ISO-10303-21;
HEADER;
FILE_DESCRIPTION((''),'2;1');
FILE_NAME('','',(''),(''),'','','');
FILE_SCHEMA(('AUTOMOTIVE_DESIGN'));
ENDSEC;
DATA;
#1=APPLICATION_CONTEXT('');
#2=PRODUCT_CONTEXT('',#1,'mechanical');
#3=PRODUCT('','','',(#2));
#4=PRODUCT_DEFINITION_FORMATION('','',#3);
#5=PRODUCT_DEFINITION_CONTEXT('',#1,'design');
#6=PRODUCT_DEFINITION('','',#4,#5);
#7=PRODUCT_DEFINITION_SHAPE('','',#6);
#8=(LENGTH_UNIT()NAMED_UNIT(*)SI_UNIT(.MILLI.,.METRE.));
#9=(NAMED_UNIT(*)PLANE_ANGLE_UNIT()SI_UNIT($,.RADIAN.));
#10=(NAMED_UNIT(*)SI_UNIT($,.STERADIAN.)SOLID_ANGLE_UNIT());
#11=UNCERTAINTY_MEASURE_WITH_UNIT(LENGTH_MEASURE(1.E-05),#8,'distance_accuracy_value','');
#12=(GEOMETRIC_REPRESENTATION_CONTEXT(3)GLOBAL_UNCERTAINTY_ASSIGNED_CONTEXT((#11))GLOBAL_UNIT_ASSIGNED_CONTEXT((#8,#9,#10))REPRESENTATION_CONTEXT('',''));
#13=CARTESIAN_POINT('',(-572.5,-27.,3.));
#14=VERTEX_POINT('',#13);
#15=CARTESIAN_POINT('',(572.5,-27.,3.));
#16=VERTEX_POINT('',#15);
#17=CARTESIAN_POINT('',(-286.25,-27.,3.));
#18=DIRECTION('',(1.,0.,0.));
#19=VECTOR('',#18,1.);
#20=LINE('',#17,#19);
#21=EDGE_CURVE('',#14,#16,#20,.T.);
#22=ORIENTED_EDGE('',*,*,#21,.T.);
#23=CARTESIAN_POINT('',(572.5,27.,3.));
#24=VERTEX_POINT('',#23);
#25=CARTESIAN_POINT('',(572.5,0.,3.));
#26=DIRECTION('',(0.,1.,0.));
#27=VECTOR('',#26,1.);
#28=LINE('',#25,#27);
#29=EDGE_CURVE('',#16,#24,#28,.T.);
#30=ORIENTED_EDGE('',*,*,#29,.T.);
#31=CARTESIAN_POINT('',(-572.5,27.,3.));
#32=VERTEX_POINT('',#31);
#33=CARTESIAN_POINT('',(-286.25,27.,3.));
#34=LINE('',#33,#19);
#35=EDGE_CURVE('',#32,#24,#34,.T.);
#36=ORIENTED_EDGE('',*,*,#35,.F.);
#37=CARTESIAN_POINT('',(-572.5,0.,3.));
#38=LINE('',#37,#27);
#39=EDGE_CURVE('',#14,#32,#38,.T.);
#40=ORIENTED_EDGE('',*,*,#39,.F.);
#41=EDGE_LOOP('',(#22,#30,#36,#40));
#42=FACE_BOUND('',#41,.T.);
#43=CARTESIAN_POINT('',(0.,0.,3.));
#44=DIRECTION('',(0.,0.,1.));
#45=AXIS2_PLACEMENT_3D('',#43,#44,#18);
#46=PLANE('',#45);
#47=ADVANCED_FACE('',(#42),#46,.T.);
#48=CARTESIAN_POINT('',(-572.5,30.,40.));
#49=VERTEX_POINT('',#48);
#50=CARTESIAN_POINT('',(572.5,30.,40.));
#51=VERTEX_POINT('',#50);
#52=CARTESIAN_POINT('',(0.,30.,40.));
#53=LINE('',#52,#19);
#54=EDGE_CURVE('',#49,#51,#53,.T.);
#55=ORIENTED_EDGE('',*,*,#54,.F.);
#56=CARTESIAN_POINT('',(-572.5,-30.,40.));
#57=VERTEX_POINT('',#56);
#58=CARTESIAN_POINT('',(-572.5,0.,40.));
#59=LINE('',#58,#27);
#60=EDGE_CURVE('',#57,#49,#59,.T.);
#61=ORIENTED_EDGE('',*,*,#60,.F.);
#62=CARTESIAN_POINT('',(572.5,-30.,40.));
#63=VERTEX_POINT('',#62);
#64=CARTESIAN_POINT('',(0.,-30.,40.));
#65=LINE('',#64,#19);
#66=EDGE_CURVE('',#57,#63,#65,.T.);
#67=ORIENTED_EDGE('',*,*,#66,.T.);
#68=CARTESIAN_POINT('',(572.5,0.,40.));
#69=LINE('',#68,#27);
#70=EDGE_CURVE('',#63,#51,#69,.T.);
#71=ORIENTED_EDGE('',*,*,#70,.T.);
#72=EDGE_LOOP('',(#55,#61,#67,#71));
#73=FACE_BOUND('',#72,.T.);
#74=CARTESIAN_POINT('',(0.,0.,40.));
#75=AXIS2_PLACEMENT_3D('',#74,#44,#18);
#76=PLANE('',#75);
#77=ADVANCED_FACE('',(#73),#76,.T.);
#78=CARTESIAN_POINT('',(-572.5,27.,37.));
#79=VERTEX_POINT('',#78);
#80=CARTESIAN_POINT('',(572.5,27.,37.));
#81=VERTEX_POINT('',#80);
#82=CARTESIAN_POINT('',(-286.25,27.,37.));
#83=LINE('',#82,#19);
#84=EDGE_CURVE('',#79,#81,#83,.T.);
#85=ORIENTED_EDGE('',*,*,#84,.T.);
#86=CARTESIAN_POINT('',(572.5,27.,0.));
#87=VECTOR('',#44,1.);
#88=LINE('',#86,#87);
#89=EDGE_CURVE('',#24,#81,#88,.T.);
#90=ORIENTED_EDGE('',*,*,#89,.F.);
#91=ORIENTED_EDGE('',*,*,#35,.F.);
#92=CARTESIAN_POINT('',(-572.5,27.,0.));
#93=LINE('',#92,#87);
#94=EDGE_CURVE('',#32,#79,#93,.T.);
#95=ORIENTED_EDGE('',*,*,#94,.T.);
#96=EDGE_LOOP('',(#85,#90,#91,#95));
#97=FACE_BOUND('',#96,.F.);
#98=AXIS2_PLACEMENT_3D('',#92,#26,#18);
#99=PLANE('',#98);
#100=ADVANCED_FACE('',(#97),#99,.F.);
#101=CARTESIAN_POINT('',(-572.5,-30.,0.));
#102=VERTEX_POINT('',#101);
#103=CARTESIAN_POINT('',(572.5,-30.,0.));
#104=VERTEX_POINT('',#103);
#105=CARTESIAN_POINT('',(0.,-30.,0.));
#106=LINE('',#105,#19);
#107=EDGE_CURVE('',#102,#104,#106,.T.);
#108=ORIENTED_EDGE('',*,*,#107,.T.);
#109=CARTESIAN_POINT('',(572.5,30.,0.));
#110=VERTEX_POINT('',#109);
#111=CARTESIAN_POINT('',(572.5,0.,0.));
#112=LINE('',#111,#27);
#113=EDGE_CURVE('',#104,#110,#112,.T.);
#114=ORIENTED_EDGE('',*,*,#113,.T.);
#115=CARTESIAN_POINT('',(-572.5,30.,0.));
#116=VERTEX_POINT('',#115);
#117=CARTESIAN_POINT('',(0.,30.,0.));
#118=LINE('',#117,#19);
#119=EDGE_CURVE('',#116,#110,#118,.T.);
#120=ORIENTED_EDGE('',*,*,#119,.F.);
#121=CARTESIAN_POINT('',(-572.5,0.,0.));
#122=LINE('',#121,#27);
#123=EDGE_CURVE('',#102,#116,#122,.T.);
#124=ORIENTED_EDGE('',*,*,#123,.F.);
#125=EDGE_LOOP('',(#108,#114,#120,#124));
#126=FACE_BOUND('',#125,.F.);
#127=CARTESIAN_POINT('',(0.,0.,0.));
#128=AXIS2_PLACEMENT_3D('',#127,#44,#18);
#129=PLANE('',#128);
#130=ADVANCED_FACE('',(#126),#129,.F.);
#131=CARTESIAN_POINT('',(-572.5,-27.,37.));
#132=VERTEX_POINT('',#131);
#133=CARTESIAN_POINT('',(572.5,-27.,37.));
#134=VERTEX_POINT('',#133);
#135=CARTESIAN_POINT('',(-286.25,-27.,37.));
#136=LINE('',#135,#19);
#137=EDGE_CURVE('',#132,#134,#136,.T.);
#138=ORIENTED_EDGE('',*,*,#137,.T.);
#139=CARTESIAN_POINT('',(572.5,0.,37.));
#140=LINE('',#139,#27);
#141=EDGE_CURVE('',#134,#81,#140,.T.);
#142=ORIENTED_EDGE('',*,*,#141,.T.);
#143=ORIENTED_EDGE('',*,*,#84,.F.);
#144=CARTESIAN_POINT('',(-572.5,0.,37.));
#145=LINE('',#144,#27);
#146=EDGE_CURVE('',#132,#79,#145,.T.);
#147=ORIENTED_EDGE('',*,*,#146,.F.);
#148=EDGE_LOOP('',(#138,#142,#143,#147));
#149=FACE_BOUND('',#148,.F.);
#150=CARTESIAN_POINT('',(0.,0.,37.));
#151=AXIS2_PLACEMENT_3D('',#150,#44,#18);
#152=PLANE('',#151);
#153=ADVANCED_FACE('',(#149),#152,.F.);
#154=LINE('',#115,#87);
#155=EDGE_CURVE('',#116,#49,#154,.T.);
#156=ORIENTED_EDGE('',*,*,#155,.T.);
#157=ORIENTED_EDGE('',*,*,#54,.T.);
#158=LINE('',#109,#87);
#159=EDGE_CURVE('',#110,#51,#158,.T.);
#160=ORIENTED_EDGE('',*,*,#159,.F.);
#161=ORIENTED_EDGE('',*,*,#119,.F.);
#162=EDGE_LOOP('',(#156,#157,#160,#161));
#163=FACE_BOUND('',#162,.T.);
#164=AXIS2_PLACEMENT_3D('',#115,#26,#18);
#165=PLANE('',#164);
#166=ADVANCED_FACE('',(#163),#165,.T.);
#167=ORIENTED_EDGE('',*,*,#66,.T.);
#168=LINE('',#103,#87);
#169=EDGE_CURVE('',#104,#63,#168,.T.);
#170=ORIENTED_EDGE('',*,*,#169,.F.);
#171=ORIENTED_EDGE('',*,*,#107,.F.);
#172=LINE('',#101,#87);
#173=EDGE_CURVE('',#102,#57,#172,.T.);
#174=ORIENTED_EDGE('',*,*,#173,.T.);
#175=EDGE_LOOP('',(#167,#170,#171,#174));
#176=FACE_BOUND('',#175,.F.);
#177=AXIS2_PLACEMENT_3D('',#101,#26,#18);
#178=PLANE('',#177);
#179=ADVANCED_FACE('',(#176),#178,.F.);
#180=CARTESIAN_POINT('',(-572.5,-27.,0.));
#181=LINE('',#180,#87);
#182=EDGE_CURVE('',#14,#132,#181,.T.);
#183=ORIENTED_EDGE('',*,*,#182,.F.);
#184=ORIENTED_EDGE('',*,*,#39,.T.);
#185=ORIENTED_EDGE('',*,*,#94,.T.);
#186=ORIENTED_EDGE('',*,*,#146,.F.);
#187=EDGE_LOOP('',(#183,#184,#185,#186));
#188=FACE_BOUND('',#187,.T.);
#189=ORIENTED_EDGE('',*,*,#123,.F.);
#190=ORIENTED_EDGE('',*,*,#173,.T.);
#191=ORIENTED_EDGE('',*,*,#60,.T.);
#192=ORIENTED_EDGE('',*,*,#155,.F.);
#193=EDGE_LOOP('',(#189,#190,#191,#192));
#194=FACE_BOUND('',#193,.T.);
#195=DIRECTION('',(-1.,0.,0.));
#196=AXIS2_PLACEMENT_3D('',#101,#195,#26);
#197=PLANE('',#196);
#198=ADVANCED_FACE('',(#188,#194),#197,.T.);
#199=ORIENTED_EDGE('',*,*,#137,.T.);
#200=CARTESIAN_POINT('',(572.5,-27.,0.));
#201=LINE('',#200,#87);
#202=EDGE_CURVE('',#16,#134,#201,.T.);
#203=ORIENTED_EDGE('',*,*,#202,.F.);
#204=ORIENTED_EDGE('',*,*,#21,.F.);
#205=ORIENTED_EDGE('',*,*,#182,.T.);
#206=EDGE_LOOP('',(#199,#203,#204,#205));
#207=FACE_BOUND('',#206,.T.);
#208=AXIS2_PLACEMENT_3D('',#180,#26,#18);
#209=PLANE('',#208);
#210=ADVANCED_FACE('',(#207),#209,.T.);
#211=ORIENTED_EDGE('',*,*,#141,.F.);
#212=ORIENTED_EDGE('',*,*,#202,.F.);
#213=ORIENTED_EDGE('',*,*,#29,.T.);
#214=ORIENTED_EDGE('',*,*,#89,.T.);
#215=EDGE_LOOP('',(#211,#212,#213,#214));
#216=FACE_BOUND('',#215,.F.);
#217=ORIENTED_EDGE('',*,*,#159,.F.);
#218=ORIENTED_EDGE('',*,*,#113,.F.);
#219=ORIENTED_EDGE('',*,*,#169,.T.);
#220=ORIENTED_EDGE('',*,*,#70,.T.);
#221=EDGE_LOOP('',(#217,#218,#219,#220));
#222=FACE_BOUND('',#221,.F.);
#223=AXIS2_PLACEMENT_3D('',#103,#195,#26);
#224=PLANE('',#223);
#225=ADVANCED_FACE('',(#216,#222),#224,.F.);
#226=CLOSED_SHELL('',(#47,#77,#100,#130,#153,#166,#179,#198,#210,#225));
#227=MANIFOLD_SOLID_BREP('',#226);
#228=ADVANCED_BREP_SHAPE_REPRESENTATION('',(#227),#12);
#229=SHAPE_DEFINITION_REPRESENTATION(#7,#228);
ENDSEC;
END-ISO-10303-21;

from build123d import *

# Parameters (mm, degrees)
F0_W     = 1145
F0_H     = 60
F1_DEPTH = 40
F2_T     = -3


with BuildPart() as f1:
    # F0 (on Top) → F1 (new body)
    with BuildSketch(Plane.XY):
        Rectangle(F0_W, F0_H)
    extrude(amount=F1_DEPTH)

    # F2
    f2_openings = [f1.faces().sort_by_distance(p)[0] for p in [
        (-572.5, 0, 20),
        (572.5, 0, 20),
    ]]
    offset(amount=F2_T, openings=f2_openings)


solid = f1.part
